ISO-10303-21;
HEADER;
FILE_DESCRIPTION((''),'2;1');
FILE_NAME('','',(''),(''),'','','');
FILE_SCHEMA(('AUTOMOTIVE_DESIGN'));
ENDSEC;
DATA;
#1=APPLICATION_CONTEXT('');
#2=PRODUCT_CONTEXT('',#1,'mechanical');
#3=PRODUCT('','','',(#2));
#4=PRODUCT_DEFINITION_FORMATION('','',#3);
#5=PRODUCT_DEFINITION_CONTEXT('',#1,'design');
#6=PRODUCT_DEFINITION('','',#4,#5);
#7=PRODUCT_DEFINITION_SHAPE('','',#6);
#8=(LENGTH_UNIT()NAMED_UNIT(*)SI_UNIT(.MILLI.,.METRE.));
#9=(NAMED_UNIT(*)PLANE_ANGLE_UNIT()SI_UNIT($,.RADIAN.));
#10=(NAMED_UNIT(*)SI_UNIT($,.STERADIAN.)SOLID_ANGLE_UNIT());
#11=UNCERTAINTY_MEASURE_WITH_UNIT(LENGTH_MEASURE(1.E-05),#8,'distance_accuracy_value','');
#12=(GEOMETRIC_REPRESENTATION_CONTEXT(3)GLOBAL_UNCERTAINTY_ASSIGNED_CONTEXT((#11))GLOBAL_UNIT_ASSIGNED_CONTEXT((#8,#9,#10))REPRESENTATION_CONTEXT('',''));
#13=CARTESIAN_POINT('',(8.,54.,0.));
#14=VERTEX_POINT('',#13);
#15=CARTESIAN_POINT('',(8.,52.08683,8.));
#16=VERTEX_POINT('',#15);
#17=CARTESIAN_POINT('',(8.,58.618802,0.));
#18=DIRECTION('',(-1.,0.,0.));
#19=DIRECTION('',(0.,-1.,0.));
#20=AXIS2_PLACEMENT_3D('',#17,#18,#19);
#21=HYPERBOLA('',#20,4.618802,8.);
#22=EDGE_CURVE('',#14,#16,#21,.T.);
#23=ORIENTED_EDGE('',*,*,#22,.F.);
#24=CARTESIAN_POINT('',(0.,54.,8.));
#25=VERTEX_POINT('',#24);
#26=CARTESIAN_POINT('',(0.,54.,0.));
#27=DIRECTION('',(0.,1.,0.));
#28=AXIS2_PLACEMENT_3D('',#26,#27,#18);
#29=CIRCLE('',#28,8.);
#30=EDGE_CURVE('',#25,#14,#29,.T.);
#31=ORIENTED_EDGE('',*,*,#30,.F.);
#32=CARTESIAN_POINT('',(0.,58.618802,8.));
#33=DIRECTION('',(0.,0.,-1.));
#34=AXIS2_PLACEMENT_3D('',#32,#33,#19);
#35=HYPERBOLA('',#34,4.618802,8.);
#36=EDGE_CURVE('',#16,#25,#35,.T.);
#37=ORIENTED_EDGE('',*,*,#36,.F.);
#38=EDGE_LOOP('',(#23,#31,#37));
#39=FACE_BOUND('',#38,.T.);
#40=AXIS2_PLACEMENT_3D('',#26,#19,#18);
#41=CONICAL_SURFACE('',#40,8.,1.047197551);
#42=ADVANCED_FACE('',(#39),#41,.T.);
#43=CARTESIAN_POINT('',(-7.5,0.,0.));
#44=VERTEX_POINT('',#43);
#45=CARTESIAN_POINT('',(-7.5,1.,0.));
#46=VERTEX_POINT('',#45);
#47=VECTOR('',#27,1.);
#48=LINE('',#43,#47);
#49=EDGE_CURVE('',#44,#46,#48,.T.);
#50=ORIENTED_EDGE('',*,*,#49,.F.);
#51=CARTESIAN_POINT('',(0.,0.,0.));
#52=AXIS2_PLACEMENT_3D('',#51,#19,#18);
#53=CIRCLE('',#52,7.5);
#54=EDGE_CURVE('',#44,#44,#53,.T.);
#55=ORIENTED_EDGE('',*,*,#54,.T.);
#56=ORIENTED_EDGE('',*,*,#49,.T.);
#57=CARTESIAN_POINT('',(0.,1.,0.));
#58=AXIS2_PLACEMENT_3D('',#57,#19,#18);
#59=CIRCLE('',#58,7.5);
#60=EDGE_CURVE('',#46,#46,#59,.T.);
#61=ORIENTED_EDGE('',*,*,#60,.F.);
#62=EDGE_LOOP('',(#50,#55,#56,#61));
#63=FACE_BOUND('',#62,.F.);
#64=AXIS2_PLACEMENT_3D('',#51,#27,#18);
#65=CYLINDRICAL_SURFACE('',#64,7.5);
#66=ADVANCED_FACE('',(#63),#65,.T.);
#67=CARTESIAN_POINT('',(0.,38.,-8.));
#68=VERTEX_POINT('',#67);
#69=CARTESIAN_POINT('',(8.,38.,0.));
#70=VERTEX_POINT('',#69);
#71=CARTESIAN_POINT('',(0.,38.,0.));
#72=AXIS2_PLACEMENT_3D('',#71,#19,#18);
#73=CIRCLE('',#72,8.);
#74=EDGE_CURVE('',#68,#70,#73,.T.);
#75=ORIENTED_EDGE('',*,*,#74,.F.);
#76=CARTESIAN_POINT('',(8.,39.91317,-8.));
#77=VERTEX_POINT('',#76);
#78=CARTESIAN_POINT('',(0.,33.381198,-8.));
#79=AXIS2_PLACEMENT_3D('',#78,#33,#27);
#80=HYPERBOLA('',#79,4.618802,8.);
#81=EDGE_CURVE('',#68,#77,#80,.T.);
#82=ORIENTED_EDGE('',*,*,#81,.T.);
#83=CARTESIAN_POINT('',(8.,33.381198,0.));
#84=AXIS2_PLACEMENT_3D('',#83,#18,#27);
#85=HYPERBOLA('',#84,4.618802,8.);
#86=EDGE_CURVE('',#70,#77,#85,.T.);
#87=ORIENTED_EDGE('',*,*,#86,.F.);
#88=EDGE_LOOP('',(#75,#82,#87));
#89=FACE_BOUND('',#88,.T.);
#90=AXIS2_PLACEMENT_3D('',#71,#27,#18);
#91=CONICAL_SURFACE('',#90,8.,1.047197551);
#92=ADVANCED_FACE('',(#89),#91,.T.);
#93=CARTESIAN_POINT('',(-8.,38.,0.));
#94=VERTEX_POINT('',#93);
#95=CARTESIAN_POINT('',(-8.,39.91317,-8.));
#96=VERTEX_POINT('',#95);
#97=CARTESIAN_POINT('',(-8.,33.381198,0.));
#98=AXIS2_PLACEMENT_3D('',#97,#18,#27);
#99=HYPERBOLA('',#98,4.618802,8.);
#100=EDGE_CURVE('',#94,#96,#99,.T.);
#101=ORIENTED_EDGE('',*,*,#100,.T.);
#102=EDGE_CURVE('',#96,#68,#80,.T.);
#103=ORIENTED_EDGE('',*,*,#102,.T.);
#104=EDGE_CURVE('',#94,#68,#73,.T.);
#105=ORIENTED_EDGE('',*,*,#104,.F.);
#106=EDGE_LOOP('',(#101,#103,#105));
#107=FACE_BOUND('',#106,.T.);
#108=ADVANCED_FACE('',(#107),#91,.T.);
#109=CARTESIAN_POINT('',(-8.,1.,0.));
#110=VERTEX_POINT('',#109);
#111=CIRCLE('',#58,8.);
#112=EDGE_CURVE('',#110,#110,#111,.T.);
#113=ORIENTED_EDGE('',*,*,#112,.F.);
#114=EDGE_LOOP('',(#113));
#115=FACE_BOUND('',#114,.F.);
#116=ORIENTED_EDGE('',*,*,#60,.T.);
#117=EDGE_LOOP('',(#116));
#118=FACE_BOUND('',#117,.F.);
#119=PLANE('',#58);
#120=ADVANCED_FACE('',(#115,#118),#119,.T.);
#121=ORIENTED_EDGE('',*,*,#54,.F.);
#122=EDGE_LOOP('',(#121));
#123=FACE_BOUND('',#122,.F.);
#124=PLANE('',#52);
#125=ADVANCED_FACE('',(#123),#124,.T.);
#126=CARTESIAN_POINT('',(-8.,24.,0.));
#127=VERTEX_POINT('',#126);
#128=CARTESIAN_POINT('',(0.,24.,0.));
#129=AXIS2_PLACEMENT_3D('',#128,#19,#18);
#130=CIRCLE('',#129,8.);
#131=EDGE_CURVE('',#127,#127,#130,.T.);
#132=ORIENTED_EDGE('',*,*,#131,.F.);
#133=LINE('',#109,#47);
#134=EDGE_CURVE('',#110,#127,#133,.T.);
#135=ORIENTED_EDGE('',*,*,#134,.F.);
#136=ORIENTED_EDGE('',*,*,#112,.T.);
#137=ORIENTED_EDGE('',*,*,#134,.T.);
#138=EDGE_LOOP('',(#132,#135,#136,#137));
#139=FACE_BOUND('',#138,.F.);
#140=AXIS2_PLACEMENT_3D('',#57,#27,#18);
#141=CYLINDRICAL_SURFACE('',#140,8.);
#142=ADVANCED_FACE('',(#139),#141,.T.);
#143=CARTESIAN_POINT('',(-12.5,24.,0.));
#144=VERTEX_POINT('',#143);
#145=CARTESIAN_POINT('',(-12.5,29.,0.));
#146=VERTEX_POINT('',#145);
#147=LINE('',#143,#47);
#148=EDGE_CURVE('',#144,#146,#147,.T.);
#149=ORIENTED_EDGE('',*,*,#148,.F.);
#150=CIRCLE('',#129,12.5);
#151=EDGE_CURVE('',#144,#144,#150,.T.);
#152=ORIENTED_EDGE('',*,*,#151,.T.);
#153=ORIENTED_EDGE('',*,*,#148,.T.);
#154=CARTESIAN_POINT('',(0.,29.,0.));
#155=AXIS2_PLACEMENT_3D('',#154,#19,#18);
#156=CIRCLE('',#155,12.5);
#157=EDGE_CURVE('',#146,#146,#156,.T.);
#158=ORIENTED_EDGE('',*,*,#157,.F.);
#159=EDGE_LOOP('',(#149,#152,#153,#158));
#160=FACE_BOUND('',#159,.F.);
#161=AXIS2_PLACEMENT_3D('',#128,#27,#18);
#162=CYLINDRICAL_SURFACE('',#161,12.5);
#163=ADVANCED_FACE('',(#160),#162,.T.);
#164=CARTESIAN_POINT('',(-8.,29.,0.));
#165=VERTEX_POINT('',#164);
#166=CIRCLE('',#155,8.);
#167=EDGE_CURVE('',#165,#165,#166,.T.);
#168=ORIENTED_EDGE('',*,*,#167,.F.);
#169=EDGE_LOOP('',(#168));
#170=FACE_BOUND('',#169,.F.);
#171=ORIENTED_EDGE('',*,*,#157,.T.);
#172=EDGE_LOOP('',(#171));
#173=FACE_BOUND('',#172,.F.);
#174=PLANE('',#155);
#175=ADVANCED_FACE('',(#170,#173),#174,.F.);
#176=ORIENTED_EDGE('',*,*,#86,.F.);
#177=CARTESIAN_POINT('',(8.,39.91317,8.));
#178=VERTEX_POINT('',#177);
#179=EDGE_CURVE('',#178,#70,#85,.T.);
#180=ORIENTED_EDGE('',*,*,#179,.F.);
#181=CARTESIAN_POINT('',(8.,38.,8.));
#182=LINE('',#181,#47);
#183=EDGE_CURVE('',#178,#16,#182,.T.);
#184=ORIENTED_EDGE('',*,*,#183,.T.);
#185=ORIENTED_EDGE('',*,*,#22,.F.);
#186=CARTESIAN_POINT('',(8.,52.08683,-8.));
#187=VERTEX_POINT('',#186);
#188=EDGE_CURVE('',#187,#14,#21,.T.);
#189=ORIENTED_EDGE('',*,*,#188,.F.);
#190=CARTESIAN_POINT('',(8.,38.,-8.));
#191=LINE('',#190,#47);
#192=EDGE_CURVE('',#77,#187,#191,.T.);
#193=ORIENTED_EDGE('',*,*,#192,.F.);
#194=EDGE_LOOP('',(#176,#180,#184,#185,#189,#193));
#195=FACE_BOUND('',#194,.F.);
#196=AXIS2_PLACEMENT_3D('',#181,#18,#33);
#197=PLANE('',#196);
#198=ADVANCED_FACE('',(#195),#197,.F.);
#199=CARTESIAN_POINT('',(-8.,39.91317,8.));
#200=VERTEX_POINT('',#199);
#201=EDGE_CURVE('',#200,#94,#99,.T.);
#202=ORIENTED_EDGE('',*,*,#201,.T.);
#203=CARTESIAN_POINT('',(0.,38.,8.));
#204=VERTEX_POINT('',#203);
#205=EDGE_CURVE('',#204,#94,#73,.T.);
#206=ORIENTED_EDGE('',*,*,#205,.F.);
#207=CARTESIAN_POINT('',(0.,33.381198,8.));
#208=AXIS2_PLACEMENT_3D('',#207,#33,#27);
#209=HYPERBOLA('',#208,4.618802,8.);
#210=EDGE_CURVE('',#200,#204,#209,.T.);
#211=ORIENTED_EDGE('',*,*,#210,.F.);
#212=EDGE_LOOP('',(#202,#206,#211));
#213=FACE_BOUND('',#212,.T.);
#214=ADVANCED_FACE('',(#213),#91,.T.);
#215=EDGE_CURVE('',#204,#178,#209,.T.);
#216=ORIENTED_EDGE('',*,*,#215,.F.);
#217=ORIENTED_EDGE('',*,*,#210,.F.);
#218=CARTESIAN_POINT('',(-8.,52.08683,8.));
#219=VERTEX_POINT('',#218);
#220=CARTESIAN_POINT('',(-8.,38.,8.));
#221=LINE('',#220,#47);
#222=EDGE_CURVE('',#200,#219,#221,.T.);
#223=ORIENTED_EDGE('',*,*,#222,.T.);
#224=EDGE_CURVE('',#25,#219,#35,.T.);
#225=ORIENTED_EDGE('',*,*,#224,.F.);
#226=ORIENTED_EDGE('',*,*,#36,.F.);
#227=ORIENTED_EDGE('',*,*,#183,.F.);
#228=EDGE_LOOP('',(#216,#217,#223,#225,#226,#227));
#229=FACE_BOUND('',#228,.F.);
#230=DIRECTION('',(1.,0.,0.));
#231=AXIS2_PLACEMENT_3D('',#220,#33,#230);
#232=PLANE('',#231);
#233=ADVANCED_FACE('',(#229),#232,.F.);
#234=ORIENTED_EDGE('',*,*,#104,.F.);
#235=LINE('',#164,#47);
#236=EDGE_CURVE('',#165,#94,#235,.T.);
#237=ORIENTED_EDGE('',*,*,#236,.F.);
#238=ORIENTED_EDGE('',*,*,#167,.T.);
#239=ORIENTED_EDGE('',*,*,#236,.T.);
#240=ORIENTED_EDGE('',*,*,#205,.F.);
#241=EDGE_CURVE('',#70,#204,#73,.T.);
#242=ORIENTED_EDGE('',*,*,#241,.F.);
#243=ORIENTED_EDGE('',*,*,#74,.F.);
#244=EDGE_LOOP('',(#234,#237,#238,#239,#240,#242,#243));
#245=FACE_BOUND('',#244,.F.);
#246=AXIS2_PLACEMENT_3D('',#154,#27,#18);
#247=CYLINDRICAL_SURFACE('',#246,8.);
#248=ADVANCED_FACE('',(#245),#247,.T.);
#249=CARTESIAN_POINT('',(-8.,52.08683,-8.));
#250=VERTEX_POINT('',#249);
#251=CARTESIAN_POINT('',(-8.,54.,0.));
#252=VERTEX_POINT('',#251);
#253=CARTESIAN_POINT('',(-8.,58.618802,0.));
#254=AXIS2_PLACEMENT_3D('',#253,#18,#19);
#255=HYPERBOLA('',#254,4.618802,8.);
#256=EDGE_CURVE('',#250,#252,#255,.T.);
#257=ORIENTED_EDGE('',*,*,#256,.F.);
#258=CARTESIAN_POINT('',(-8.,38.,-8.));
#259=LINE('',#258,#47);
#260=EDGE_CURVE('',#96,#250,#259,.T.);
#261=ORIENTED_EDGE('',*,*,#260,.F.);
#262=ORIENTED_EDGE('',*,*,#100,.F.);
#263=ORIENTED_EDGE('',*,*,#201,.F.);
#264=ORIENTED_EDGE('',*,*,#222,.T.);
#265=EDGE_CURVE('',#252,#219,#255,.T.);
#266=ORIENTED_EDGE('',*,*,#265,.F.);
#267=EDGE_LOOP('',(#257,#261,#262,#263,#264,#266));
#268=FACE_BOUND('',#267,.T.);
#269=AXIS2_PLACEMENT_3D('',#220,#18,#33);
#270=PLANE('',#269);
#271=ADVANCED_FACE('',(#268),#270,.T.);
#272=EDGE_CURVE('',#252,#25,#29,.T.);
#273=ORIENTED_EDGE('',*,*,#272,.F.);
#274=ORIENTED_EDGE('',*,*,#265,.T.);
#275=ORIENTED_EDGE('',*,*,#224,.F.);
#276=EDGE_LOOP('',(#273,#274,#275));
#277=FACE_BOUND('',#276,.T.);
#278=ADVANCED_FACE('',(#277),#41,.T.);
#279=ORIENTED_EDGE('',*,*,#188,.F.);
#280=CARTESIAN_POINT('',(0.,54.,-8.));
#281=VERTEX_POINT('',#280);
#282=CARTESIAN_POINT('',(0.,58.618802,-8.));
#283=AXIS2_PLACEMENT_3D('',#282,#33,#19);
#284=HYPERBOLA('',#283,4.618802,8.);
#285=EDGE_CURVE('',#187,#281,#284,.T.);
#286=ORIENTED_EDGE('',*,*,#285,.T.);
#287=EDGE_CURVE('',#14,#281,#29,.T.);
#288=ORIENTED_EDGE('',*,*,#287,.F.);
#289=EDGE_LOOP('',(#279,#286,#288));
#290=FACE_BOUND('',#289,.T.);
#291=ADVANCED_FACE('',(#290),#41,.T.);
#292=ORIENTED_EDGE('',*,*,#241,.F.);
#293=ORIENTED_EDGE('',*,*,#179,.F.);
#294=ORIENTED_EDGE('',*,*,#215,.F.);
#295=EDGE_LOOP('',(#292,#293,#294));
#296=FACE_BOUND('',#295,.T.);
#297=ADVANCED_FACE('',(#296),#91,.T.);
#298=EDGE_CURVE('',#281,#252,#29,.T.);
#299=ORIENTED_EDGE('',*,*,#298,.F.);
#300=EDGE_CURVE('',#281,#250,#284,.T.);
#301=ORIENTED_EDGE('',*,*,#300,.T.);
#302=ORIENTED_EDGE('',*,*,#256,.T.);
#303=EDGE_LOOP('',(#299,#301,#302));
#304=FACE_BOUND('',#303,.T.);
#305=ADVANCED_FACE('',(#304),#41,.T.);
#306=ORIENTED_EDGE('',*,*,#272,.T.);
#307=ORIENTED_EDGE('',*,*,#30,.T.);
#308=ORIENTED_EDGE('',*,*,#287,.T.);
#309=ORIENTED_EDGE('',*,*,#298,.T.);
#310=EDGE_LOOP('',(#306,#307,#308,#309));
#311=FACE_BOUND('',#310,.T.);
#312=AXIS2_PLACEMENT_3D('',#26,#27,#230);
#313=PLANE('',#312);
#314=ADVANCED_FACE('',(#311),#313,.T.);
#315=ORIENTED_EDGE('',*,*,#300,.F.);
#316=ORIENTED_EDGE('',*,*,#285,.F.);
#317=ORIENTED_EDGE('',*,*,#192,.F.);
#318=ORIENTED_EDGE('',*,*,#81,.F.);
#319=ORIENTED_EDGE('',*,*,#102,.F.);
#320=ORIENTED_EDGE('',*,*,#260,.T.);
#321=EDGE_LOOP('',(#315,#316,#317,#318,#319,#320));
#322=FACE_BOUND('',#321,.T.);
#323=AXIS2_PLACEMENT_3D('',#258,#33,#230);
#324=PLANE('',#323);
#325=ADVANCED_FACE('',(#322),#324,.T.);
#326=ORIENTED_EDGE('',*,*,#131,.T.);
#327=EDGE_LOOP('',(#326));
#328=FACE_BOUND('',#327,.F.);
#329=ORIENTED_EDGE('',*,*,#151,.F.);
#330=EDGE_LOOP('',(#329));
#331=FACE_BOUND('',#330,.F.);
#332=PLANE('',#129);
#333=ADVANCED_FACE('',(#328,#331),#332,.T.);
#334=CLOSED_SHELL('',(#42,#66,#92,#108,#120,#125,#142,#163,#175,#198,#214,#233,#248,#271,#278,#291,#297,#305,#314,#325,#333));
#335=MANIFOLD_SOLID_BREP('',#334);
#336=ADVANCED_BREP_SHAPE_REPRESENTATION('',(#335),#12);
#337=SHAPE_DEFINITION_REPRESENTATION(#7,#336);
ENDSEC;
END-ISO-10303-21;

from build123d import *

# Parameters (mm, degrees)
SKETCH2_W           = 16
SKETCH2_H           = 16
BOSS_EXTRUDE1_DEPTH = 16
SKETCH3_OUTSIDE_W   = 240.202
SKETCH3_OUTSIDE_H   = 240.202
SKETCH3_OUTSIDE_R   = 8
CUT_EXTRUDE1_DEPTH  = 57.819890883
CUT_EXTRUDE1_DRAFT  = -60
SKETCH4_OUTSIDE_W   = 188.556
SKETCH4_OUTSIDE_H   = 188.556
SKETCH4_OUTSIDE_R   = 8
CUT_EXTRUDE2_DEPTH  = 42.910619179
CUT_EXTRUDE2_DRAFT  = -60


with BuildPart() as part:
    # Sketch1 → Revolve1 (revolve)
    with BuildSketch(Plane.XY):
        Polygon((0, 0), (-7.5, 0), (-7.5, 1), (-8, 1), (-8, 24), (-12.5, 24), (-12.5, 29), (-8, 29), (-8, 38), (0, 38), align=None)
    revolve(axis=Axis((0, 38, 0), (0, -1, 0)))

    # Sketch2 → Boss-Extrude1 (add)
    with BuildSketch(Plane(origin=(0, 38, 0), x_dir=(1, 0, 0), z_dir=(0, 1, 0))):
        Rectangle(SKETCH2_W, SKETCH2_H)
    extrude(amount=BOSS_EXTRUDE1_DEPTH)


with BuildPart() as cut_extrude1_tool:
    # Sketch3 outside → Cut-Extrude1 (with draft: the straight prism first)
    with BuildSketch(Plane(origin=(0, 54, 0), x_dir=(1, 0, 0), z_dir=(0, 1, 0))):
        Rectangle(SKETCH3_OUTSIDE_W, SKETCH3_OUTSIDE_H)
        with Locations(Location((0, 0, 0), (0, 0, 180))):
            Circle(SKETCH3_OUTSIDE_R, mode=Mode.SUBTRACT)
    extrude(amount=-CUT_EXTRUDE1_DEPTH)
    # Cut-Extrude1: the draft: its side faces are tilted about the plane it starts from
    cut_extrude1_sides = [cut_extrude1_tool.faces().sort_by_distance(p)[0] for p in [
        (0, 25.090054558, 120.101),
        (120.101, 25.090054558, 0),
        (0, 25.090054558, -120.101),
        (-120.101, 25.090054558, 0),
        (8, 25.090054558, 0),
    ]]
    draft(cut_extrude1_sides, Plane(origin=(0, 54, 0), x_dir=(1, 0, 0), z_dir=(0, 1, 0)), CUT_EXTRUDE1_DRAFT)


with BuildPart() as part_1:
    add(part.part)

    # Cut-Extrude1: cut by cut_extrude1_tool
    add(cut_extrude1_tool.part, mode=Mode.SUBTRACT)


with BuildPart() as cut_extrude2_tool:
    # Sketch4 outside → Cut-Extrude2 (with draft: the straight prism first)
    with BuildSketch(Plane.XZ.offset(-38)):
        Rectangle(SKETCH4_OUTSIDE_W, SKETCH4_OUTSIDE_H)
        with Locations(Location((0, 0, 0), (0, 0, 180))):
            Circle(SKETCH4_OUTSIDE_R, mode=Mode.SUBTRACT)
    extrude(amount=-CUT_EXTRUDE2_DEPTH)
    # Cut-Extrude2: the draft: its side faces are tilted about the plane it starts from
    cut_extrude2_sides = [cut_extrude2_tool.faces().sort_by_distance(p)[0] for p in [
        (0, 59.45530959, -94.278),
        (94.278, 59.45530959, 0),
        (0, 59.45530959, 94.278),
        (-94.278, 59.45530959, 0),
        (8, 59.45530959, 0),
    ]]
    draft(cut_extrude2_sides, Plane.XZ.offset(-38), CUT_EXTRUDE2_DRAFT)


with BuildPart() as part_2:
    add(part_1.part)

    # Cut-Extrude2: cut by cut_extrude2_tool
    add(cut_extrude2_tool.part, mode=Mode.SUBTRACT)


solid = part_2.part
